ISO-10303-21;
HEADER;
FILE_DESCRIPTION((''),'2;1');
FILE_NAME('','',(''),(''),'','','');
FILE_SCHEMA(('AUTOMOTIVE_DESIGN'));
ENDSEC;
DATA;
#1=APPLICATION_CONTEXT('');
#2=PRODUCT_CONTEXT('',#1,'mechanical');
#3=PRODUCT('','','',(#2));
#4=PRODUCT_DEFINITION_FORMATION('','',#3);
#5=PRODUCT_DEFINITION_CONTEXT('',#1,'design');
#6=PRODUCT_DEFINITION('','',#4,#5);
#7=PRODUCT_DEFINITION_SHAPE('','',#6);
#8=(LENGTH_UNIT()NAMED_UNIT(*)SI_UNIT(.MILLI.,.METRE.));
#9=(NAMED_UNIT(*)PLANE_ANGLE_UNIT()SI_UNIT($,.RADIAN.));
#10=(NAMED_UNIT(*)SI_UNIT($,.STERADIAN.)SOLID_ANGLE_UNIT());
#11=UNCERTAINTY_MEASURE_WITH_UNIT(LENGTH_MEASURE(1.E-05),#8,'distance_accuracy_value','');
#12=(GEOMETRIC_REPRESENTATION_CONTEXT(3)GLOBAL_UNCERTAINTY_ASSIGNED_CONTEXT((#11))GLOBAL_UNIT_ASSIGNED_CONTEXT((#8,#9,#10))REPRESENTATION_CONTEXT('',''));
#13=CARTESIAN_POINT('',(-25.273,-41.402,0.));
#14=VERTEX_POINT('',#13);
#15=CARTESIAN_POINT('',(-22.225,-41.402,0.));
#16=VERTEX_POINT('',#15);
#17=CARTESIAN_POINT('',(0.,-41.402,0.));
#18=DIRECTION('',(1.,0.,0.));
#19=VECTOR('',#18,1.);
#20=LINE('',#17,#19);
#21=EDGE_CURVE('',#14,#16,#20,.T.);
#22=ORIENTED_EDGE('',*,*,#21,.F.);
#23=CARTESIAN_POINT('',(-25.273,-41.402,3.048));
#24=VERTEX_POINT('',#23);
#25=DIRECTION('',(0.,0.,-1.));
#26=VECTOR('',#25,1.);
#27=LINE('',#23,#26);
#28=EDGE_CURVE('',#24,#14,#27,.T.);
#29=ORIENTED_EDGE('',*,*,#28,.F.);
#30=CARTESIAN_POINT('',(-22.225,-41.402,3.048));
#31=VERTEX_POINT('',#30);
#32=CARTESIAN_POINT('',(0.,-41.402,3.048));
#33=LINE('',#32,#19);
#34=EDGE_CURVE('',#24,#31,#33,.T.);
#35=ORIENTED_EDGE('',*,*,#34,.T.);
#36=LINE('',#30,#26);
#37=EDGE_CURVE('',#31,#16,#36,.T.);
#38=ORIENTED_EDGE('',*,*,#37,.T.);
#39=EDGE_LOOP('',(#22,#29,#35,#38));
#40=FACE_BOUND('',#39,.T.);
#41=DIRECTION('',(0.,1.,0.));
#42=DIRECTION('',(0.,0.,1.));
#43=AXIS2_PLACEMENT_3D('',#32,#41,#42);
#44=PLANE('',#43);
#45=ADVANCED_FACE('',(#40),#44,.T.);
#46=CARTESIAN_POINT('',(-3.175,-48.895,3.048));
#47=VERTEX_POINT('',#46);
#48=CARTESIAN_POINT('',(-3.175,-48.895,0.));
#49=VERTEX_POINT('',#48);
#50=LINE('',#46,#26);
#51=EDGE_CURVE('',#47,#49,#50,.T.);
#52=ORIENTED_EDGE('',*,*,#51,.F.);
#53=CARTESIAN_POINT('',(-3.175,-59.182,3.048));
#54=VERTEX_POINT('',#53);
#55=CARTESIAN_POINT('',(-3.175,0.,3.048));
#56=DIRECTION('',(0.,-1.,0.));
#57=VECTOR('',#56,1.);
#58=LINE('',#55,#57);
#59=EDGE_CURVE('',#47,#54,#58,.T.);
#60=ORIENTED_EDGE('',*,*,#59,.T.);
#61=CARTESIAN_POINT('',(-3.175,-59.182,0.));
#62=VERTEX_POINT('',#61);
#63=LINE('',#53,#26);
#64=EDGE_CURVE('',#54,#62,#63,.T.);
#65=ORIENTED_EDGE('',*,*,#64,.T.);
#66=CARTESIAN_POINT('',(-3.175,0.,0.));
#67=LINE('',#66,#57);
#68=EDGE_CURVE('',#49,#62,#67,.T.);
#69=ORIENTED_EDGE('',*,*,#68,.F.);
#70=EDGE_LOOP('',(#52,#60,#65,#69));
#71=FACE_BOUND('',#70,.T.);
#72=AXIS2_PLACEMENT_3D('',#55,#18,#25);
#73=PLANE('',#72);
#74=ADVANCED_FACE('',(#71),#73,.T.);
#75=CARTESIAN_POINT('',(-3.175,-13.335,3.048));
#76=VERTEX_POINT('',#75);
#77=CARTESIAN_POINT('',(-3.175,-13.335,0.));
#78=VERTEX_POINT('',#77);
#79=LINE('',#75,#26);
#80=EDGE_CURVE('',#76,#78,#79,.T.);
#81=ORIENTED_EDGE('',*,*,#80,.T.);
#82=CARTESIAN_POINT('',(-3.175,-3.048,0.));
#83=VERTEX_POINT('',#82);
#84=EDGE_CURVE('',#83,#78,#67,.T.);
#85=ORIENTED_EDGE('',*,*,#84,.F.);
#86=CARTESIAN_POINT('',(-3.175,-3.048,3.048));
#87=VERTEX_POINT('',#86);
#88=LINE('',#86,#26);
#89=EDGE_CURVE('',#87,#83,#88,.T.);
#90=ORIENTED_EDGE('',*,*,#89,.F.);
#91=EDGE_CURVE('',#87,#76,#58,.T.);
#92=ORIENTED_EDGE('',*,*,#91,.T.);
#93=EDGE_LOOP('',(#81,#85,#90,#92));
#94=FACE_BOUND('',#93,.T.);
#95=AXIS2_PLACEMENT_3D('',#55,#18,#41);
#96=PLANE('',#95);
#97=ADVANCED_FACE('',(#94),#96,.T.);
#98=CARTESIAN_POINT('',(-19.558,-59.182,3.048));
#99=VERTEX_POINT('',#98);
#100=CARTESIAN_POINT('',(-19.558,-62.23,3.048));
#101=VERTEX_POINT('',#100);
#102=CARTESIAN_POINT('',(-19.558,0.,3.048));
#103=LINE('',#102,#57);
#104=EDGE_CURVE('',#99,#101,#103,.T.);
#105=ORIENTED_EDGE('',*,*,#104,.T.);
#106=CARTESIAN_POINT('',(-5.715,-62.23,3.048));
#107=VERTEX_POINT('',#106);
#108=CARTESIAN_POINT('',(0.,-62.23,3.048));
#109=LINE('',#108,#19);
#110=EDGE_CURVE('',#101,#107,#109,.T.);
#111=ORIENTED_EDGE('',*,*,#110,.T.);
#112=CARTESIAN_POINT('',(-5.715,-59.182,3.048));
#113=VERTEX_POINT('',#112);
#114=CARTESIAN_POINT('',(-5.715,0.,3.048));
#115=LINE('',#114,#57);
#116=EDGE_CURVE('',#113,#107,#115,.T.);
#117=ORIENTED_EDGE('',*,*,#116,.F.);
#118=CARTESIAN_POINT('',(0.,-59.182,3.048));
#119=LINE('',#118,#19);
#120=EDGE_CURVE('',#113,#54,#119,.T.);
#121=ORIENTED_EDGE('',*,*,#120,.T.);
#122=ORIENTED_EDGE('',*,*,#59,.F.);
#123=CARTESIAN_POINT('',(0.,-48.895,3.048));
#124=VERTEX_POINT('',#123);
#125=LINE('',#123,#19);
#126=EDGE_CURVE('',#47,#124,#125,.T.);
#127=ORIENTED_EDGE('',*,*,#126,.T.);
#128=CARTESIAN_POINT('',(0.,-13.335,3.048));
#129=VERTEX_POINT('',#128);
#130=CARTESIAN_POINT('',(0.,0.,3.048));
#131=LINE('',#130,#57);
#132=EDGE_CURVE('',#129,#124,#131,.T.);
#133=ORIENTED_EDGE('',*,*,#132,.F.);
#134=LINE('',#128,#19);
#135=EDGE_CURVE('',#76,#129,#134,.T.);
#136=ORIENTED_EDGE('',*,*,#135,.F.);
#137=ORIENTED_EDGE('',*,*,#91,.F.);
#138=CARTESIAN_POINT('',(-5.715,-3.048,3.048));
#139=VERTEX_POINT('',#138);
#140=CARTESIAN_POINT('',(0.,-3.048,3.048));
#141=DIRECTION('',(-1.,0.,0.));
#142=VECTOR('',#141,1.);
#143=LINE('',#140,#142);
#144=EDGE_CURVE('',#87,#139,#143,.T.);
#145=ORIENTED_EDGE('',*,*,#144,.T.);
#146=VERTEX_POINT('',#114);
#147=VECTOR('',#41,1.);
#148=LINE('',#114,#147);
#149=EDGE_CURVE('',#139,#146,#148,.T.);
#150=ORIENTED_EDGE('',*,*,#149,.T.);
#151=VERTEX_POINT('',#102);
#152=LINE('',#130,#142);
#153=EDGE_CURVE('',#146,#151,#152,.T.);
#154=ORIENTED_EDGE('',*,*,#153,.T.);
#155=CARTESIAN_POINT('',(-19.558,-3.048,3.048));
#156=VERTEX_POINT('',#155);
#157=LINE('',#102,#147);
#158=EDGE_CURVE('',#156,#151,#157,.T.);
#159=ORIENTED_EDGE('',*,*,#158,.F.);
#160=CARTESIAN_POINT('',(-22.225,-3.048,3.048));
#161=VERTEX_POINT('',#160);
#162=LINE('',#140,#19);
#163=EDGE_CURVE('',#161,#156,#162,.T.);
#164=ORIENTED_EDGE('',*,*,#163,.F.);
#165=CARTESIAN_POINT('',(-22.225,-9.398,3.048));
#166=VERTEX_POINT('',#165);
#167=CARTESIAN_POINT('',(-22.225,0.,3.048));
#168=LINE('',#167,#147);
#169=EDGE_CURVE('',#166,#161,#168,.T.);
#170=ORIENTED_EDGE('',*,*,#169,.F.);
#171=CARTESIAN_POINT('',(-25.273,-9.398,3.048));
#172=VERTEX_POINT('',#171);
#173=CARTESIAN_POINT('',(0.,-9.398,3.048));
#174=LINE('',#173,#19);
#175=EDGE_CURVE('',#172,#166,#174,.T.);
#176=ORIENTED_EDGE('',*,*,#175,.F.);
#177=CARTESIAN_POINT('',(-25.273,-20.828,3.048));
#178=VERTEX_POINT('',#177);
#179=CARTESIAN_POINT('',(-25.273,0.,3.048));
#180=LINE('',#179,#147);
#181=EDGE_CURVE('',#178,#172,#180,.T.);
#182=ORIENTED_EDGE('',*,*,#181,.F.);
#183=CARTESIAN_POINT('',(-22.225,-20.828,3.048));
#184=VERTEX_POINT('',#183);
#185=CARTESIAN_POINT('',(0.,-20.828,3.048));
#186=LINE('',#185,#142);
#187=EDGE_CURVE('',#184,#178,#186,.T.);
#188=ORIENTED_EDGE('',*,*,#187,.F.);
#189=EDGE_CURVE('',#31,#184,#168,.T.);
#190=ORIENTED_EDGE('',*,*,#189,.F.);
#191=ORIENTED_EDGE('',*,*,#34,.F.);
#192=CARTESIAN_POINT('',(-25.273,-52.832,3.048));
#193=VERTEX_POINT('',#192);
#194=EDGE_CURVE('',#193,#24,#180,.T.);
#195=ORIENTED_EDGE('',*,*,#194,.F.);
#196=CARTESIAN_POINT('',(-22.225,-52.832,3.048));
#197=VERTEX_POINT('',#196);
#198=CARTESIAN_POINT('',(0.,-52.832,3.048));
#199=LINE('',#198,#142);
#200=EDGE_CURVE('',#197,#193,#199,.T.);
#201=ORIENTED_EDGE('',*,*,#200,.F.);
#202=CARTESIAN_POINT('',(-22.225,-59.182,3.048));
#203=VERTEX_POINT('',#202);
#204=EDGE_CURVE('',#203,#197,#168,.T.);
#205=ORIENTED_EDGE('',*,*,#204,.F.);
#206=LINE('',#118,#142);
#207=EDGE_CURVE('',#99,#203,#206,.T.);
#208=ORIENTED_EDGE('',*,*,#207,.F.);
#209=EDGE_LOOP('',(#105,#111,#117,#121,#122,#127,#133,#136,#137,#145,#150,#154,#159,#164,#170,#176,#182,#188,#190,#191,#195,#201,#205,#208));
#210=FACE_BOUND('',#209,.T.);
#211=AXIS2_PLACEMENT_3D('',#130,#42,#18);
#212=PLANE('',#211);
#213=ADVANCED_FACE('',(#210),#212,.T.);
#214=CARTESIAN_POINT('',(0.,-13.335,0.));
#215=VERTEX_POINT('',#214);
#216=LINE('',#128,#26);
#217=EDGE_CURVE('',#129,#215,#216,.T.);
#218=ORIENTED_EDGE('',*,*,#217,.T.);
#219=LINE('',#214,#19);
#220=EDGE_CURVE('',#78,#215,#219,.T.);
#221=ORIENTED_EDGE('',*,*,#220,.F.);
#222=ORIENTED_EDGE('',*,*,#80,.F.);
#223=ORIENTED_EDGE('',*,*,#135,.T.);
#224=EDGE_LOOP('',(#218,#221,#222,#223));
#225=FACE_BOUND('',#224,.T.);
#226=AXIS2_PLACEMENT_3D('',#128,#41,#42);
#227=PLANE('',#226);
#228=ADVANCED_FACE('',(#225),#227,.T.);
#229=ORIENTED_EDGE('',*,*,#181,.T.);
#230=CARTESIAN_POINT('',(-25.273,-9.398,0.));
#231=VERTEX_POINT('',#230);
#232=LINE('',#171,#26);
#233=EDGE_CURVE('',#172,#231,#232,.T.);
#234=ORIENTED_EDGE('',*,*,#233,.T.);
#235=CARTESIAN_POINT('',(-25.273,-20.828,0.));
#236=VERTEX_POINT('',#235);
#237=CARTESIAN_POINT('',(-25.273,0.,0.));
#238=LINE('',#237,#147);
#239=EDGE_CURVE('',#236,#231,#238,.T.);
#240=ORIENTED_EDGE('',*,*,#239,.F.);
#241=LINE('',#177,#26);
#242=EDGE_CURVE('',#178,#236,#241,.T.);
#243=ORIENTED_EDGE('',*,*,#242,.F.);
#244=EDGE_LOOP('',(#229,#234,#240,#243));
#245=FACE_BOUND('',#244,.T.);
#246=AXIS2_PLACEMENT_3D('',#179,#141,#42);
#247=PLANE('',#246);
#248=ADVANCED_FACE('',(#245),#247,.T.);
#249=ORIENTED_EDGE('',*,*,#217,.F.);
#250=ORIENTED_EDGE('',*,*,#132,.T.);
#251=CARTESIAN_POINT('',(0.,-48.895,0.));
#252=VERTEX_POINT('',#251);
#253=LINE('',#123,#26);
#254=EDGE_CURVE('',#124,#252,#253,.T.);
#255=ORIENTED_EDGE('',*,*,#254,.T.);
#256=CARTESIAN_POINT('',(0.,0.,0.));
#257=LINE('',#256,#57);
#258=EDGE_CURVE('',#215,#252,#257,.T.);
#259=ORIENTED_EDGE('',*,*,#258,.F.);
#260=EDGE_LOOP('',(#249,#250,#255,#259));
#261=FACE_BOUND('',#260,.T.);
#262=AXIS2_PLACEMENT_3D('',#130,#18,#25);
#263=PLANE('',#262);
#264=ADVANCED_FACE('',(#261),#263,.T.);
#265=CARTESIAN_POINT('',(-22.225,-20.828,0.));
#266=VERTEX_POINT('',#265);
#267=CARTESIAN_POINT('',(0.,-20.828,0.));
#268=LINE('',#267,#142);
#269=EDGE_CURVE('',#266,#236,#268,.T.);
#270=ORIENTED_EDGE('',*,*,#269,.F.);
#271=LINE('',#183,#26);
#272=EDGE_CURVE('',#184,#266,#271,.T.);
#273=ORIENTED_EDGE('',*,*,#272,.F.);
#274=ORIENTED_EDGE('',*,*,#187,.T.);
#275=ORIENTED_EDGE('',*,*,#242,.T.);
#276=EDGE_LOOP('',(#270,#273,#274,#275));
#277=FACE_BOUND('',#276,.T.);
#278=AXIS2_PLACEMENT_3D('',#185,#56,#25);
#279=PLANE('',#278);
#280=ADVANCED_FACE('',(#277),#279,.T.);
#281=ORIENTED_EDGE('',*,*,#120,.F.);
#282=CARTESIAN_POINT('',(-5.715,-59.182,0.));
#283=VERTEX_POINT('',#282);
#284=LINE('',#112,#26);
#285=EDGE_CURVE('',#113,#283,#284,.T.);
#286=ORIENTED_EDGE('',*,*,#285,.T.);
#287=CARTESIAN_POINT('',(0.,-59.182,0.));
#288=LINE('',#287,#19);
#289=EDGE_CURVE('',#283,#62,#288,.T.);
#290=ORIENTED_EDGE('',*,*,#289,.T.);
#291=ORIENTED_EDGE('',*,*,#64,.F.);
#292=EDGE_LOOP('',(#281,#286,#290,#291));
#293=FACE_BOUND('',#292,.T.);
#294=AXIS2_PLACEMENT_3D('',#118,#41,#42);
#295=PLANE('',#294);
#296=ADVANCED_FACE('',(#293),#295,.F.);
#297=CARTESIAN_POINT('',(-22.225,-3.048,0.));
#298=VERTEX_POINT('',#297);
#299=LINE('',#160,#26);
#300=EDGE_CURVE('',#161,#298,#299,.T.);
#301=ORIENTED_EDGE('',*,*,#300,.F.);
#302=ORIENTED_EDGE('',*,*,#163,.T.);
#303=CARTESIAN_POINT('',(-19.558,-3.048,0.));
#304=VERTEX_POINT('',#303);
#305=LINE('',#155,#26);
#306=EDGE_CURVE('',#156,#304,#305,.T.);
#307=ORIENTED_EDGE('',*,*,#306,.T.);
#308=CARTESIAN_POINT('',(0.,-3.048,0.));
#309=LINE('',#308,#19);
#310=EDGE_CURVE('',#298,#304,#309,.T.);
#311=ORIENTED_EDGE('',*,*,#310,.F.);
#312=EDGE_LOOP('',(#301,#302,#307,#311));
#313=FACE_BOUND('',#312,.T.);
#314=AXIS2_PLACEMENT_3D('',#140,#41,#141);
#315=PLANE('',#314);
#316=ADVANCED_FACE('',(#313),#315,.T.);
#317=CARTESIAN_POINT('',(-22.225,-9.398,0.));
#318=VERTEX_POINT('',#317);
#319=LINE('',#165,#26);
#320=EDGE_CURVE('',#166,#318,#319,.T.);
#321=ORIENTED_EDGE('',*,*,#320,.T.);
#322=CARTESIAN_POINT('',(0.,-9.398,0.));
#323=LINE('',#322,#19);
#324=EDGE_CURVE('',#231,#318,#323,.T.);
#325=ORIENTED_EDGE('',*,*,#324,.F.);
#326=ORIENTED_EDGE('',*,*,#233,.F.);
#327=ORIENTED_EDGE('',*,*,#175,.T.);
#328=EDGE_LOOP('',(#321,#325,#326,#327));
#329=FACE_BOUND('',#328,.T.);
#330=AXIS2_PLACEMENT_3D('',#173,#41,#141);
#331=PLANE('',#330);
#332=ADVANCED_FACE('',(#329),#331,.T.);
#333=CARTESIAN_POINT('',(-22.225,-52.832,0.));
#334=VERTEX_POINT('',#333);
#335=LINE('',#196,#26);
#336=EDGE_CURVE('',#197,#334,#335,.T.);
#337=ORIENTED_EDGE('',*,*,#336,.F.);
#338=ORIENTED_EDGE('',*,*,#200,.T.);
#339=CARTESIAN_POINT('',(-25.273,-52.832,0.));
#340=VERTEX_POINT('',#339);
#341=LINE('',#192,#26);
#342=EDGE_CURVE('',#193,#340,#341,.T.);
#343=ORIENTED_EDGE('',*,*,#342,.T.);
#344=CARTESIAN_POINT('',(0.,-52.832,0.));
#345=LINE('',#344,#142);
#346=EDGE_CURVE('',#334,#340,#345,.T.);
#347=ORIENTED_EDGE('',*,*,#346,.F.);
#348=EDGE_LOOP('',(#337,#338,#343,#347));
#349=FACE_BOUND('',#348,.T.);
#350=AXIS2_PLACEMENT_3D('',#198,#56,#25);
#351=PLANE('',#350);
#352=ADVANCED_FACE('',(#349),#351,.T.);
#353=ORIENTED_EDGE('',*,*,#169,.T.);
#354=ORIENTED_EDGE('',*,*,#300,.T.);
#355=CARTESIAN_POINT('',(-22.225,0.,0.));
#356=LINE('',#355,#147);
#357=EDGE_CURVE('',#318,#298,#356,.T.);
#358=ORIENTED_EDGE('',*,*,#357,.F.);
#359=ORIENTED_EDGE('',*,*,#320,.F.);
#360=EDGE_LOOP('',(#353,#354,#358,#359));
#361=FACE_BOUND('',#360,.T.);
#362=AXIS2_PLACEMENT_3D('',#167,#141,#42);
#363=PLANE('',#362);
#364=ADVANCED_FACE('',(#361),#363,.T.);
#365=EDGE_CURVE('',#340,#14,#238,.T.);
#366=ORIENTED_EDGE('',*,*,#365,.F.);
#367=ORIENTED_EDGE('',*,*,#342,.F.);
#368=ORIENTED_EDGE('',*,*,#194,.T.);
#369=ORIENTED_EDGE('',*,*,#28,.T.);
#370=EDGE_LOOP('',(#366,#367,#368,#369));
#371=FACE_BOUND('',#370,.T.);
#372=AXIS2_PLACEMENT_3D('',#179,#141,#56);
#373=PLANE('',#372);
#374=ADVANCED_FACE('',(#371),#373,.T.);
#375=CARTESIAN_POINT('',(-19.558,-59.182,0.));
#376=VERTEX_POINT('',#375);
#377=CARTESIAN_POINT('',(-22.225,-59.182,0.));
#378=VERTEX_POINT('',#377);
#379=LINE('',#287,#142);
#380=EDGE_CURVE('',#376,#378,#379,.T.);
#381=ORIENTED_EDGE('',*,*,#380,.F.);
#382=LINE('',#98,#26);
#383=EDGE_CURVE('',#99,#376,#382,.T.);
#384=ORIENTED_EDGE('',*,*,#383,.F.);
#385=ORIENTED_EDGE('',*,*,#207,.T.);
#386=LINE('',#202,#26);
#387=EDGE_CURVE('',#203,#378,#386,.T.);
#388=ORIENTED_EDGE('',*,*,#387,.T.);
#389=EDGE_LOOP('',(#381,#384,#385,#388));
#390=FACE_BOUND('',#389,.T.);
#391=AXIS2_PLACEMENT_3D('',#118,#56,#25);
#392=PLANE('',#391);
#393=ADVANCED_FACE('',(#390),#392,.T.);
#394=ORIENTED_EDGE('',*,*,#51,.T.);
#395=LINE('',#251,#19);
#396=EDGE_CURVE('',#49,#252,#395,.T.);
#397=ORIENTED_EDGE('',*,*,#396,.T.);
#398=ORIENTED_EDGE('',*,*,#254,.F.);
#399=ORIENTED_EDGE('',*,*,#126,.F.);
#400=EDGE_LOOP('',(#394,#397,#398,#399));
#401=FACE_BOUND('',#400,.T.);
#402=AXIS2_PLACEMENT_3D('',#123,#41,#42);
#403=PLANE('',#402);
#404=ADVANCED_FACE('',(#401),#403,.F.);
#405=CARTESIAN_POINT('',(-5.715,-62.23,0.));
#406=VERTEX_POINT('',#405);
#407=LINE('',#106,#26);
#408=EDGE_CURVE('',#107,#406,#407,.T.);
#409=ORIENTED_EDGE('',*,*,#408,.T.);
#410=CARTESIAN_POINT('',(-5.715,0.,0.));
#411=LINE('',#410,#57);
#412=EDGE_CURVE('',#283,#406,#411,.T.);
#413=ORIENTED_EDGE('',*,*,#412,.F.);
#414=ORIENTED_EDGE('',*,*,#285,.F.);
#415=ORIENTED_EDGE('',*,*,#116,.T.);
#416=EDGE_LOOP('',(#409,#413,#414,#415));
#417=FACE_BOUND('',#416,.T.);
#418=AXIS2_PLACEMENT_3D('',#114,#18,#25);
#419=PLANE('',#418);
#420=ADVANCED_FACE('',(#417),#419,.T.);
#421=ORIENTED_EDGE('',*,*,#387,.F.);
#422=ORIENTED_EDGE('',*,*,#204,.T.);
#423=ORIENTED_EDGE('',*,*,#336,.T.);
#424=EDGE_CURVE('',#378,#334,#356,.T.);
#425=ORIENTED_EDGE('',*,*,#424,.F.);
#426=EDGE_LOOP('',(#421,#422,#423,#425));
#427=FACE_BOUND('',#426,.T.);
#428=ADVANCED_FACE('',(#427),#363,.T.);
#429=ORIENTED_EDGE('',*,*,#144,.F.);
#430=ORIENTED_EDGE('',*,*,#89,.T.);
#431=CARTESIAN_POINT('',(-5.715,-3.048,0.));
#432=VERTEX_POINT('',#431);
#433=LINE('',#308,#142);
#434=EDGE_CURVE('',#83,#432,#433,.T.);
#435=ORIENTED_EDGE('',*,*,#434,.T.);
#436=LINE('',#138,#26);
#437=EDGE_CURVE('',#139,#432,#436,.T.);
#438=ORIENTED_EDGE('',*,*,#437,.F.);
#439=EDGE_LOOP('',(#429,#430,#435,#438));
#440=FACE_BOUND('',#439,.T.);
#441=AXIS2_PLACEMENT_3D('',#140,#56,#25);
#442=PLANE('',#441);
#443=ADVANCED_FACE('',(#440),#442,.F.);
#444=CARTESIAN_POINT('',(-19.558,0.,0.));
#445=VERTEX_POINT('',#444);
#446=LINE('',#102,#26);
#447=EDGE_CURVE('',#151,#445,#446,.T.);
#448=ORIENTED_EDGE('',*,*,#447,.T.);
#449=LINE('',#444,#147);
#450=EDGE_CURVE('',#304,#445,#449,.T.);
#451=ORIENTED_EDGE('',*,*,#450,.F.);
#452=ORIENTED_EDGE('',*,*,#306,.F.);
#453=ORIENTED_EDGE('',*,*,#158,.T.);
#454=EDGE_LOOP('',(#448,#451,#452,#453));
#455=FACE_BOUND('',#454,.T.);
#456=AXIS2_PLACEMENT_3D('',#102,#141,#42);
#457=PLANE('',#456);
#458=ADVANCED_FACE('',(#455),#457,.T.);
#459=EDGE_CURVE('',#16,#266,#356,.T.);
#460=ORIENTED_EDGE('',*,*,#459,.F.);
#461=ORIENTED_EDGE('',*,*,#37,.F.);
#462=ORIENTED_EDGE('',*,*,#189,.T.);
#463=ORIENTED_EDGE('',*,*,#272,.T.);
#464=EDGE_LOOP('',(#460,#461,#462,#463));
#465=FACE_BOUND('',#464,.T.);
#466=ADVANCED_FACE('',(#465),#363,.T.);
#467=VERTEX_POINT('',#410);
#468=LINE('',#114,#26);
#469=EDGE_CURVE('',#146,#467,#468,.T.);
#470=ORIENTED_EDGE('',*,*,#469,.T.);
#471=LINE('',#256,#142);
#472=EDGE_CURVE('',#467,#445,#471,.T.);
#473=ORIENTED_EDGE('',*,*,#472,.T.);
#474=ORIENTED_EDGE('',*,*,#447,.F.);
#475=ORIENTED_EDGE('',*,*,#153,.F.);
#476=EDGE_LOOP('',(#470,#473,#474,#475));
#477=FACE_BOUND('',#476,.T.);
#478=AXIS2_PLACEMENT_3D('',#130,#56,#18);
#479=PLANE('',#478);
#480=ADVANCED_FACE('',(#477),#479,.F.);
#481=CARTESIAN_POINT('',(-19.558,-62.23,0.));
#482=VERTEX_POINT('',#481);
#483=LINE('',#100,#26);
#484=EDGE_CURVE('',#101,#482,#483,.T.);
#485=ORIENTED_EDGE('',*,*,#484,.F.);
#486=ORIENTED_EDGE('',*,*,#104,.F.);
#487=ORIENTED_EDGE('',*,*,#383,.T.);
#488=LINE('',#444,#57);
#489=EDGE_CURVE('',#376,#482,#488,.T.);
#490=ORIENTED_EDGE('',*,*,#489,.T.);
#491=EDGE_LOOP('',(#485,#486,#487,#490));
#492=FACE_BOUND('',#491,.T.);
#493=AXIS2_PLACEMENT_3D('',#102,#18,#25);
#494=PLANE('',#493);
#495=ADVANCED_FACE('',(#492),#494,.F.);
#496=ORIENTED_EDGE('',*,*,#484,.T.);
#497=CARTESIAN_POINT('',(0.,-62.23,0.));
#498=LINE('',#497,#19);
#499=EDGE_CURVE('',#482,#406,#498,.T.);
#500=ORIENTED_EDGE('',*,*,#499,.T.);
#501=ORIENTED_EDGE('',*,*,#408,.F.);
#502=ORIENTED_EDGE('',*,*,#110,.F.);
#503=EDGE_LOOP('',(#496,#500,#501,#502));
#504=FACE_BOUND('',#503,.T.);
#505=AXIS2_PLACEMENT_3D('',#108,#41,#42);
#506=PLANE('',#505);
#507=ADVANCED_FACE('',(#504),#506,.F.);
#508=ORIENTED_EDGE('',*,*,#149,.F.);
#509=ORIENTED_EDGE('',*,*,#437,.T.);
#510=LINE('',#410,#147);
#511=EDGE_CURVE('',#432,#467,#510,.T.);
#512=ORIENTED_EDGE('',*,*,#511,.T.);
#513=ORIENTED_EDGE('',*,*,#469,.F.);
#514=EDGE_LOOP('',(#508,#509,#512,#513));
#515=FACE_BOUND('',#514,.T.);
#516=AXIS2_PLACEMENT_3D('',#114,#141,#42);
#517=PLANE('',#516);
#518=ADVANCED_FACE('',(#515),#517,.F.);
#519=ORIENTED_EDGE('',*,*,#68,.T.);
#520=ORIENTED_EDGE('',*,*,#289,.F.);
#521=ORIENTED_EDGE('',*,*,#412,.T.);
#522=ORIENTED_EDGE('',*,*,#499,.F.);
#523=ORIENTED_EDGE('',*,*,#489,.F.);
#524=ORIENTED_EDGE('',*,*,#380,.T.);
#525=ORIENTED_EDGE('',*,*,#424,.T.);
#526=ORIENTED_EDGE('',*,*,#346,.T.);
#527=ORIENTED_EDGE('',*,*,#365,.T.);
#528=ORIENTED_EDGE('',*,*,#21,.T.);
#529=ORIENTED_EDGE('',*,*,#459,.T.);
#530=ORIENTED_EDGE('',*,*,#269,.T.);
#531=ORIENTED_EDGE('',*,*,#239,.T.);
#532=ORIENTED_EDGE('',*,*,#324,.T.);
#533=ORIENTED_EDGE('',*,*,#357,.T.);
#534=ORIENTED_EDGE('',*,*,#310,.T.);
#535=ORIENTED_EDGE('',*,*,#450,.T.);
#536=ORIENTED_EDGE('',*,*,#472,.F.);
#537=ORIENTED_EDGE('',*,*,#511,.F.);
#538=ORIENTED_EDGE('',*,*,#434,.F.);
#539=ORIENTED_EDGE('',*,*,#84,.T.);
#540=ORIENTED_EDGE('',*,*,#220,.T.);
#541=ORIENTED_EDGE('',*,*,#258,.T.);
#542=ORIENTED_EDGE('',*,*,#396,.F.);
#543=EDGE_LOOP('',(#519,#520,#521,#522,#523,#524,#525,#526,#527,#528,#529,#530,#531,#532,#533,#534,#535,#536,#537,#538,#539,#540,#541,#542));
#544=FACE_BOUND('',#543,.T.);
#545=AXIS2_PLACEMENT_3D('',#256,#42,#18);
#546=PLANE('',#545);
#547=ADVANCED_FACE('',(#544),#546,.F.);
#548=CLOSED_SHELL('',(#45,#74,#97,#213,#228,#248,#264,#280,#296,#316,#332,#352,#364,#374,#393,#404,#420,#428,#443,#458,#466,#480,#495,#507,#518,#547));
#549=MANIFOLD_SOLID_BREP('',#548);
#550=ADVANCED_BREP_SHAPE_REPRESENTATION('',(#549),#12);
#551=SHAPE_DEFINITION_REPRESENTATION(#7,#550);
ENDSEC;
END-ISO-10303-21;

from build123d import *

# Parameters (mm, degrees)
BOSS_EXTRUDE1_DEPTH = 3.048


with BuildPart() as part:
    # Sketch1 → Boss-Extrude1 (new body)
    with BuildSketch(Plane.XY):
        Polygon((-22.225, -3.048), (-19.558, -3.048), (-19.558, 0), (-5.715, 0), (-5.715, -3.048), (-3.175, -3.048), (-3.175, -13.335), (0, -13.335), (0, -48.895), (-3.175, -48.895), (-3.175, -59.182), (-5.715, -59.182), (-5.715, -62.23), (-19.558, -62.23), (-19.558, -59.182), (-22.225, -59.182), (-22.225, -52.832), (-25.273, -52.832), (-25.273, -41.402), (-22.225, -41.402), (-22.225, -20.828), (-25.273, -20.828), (-25.273, -9.398), (-22.225, -9.398), align=None)
    extrude(amount=BOSS_EXTRUDE1_DEPTH)


solid = part.part
